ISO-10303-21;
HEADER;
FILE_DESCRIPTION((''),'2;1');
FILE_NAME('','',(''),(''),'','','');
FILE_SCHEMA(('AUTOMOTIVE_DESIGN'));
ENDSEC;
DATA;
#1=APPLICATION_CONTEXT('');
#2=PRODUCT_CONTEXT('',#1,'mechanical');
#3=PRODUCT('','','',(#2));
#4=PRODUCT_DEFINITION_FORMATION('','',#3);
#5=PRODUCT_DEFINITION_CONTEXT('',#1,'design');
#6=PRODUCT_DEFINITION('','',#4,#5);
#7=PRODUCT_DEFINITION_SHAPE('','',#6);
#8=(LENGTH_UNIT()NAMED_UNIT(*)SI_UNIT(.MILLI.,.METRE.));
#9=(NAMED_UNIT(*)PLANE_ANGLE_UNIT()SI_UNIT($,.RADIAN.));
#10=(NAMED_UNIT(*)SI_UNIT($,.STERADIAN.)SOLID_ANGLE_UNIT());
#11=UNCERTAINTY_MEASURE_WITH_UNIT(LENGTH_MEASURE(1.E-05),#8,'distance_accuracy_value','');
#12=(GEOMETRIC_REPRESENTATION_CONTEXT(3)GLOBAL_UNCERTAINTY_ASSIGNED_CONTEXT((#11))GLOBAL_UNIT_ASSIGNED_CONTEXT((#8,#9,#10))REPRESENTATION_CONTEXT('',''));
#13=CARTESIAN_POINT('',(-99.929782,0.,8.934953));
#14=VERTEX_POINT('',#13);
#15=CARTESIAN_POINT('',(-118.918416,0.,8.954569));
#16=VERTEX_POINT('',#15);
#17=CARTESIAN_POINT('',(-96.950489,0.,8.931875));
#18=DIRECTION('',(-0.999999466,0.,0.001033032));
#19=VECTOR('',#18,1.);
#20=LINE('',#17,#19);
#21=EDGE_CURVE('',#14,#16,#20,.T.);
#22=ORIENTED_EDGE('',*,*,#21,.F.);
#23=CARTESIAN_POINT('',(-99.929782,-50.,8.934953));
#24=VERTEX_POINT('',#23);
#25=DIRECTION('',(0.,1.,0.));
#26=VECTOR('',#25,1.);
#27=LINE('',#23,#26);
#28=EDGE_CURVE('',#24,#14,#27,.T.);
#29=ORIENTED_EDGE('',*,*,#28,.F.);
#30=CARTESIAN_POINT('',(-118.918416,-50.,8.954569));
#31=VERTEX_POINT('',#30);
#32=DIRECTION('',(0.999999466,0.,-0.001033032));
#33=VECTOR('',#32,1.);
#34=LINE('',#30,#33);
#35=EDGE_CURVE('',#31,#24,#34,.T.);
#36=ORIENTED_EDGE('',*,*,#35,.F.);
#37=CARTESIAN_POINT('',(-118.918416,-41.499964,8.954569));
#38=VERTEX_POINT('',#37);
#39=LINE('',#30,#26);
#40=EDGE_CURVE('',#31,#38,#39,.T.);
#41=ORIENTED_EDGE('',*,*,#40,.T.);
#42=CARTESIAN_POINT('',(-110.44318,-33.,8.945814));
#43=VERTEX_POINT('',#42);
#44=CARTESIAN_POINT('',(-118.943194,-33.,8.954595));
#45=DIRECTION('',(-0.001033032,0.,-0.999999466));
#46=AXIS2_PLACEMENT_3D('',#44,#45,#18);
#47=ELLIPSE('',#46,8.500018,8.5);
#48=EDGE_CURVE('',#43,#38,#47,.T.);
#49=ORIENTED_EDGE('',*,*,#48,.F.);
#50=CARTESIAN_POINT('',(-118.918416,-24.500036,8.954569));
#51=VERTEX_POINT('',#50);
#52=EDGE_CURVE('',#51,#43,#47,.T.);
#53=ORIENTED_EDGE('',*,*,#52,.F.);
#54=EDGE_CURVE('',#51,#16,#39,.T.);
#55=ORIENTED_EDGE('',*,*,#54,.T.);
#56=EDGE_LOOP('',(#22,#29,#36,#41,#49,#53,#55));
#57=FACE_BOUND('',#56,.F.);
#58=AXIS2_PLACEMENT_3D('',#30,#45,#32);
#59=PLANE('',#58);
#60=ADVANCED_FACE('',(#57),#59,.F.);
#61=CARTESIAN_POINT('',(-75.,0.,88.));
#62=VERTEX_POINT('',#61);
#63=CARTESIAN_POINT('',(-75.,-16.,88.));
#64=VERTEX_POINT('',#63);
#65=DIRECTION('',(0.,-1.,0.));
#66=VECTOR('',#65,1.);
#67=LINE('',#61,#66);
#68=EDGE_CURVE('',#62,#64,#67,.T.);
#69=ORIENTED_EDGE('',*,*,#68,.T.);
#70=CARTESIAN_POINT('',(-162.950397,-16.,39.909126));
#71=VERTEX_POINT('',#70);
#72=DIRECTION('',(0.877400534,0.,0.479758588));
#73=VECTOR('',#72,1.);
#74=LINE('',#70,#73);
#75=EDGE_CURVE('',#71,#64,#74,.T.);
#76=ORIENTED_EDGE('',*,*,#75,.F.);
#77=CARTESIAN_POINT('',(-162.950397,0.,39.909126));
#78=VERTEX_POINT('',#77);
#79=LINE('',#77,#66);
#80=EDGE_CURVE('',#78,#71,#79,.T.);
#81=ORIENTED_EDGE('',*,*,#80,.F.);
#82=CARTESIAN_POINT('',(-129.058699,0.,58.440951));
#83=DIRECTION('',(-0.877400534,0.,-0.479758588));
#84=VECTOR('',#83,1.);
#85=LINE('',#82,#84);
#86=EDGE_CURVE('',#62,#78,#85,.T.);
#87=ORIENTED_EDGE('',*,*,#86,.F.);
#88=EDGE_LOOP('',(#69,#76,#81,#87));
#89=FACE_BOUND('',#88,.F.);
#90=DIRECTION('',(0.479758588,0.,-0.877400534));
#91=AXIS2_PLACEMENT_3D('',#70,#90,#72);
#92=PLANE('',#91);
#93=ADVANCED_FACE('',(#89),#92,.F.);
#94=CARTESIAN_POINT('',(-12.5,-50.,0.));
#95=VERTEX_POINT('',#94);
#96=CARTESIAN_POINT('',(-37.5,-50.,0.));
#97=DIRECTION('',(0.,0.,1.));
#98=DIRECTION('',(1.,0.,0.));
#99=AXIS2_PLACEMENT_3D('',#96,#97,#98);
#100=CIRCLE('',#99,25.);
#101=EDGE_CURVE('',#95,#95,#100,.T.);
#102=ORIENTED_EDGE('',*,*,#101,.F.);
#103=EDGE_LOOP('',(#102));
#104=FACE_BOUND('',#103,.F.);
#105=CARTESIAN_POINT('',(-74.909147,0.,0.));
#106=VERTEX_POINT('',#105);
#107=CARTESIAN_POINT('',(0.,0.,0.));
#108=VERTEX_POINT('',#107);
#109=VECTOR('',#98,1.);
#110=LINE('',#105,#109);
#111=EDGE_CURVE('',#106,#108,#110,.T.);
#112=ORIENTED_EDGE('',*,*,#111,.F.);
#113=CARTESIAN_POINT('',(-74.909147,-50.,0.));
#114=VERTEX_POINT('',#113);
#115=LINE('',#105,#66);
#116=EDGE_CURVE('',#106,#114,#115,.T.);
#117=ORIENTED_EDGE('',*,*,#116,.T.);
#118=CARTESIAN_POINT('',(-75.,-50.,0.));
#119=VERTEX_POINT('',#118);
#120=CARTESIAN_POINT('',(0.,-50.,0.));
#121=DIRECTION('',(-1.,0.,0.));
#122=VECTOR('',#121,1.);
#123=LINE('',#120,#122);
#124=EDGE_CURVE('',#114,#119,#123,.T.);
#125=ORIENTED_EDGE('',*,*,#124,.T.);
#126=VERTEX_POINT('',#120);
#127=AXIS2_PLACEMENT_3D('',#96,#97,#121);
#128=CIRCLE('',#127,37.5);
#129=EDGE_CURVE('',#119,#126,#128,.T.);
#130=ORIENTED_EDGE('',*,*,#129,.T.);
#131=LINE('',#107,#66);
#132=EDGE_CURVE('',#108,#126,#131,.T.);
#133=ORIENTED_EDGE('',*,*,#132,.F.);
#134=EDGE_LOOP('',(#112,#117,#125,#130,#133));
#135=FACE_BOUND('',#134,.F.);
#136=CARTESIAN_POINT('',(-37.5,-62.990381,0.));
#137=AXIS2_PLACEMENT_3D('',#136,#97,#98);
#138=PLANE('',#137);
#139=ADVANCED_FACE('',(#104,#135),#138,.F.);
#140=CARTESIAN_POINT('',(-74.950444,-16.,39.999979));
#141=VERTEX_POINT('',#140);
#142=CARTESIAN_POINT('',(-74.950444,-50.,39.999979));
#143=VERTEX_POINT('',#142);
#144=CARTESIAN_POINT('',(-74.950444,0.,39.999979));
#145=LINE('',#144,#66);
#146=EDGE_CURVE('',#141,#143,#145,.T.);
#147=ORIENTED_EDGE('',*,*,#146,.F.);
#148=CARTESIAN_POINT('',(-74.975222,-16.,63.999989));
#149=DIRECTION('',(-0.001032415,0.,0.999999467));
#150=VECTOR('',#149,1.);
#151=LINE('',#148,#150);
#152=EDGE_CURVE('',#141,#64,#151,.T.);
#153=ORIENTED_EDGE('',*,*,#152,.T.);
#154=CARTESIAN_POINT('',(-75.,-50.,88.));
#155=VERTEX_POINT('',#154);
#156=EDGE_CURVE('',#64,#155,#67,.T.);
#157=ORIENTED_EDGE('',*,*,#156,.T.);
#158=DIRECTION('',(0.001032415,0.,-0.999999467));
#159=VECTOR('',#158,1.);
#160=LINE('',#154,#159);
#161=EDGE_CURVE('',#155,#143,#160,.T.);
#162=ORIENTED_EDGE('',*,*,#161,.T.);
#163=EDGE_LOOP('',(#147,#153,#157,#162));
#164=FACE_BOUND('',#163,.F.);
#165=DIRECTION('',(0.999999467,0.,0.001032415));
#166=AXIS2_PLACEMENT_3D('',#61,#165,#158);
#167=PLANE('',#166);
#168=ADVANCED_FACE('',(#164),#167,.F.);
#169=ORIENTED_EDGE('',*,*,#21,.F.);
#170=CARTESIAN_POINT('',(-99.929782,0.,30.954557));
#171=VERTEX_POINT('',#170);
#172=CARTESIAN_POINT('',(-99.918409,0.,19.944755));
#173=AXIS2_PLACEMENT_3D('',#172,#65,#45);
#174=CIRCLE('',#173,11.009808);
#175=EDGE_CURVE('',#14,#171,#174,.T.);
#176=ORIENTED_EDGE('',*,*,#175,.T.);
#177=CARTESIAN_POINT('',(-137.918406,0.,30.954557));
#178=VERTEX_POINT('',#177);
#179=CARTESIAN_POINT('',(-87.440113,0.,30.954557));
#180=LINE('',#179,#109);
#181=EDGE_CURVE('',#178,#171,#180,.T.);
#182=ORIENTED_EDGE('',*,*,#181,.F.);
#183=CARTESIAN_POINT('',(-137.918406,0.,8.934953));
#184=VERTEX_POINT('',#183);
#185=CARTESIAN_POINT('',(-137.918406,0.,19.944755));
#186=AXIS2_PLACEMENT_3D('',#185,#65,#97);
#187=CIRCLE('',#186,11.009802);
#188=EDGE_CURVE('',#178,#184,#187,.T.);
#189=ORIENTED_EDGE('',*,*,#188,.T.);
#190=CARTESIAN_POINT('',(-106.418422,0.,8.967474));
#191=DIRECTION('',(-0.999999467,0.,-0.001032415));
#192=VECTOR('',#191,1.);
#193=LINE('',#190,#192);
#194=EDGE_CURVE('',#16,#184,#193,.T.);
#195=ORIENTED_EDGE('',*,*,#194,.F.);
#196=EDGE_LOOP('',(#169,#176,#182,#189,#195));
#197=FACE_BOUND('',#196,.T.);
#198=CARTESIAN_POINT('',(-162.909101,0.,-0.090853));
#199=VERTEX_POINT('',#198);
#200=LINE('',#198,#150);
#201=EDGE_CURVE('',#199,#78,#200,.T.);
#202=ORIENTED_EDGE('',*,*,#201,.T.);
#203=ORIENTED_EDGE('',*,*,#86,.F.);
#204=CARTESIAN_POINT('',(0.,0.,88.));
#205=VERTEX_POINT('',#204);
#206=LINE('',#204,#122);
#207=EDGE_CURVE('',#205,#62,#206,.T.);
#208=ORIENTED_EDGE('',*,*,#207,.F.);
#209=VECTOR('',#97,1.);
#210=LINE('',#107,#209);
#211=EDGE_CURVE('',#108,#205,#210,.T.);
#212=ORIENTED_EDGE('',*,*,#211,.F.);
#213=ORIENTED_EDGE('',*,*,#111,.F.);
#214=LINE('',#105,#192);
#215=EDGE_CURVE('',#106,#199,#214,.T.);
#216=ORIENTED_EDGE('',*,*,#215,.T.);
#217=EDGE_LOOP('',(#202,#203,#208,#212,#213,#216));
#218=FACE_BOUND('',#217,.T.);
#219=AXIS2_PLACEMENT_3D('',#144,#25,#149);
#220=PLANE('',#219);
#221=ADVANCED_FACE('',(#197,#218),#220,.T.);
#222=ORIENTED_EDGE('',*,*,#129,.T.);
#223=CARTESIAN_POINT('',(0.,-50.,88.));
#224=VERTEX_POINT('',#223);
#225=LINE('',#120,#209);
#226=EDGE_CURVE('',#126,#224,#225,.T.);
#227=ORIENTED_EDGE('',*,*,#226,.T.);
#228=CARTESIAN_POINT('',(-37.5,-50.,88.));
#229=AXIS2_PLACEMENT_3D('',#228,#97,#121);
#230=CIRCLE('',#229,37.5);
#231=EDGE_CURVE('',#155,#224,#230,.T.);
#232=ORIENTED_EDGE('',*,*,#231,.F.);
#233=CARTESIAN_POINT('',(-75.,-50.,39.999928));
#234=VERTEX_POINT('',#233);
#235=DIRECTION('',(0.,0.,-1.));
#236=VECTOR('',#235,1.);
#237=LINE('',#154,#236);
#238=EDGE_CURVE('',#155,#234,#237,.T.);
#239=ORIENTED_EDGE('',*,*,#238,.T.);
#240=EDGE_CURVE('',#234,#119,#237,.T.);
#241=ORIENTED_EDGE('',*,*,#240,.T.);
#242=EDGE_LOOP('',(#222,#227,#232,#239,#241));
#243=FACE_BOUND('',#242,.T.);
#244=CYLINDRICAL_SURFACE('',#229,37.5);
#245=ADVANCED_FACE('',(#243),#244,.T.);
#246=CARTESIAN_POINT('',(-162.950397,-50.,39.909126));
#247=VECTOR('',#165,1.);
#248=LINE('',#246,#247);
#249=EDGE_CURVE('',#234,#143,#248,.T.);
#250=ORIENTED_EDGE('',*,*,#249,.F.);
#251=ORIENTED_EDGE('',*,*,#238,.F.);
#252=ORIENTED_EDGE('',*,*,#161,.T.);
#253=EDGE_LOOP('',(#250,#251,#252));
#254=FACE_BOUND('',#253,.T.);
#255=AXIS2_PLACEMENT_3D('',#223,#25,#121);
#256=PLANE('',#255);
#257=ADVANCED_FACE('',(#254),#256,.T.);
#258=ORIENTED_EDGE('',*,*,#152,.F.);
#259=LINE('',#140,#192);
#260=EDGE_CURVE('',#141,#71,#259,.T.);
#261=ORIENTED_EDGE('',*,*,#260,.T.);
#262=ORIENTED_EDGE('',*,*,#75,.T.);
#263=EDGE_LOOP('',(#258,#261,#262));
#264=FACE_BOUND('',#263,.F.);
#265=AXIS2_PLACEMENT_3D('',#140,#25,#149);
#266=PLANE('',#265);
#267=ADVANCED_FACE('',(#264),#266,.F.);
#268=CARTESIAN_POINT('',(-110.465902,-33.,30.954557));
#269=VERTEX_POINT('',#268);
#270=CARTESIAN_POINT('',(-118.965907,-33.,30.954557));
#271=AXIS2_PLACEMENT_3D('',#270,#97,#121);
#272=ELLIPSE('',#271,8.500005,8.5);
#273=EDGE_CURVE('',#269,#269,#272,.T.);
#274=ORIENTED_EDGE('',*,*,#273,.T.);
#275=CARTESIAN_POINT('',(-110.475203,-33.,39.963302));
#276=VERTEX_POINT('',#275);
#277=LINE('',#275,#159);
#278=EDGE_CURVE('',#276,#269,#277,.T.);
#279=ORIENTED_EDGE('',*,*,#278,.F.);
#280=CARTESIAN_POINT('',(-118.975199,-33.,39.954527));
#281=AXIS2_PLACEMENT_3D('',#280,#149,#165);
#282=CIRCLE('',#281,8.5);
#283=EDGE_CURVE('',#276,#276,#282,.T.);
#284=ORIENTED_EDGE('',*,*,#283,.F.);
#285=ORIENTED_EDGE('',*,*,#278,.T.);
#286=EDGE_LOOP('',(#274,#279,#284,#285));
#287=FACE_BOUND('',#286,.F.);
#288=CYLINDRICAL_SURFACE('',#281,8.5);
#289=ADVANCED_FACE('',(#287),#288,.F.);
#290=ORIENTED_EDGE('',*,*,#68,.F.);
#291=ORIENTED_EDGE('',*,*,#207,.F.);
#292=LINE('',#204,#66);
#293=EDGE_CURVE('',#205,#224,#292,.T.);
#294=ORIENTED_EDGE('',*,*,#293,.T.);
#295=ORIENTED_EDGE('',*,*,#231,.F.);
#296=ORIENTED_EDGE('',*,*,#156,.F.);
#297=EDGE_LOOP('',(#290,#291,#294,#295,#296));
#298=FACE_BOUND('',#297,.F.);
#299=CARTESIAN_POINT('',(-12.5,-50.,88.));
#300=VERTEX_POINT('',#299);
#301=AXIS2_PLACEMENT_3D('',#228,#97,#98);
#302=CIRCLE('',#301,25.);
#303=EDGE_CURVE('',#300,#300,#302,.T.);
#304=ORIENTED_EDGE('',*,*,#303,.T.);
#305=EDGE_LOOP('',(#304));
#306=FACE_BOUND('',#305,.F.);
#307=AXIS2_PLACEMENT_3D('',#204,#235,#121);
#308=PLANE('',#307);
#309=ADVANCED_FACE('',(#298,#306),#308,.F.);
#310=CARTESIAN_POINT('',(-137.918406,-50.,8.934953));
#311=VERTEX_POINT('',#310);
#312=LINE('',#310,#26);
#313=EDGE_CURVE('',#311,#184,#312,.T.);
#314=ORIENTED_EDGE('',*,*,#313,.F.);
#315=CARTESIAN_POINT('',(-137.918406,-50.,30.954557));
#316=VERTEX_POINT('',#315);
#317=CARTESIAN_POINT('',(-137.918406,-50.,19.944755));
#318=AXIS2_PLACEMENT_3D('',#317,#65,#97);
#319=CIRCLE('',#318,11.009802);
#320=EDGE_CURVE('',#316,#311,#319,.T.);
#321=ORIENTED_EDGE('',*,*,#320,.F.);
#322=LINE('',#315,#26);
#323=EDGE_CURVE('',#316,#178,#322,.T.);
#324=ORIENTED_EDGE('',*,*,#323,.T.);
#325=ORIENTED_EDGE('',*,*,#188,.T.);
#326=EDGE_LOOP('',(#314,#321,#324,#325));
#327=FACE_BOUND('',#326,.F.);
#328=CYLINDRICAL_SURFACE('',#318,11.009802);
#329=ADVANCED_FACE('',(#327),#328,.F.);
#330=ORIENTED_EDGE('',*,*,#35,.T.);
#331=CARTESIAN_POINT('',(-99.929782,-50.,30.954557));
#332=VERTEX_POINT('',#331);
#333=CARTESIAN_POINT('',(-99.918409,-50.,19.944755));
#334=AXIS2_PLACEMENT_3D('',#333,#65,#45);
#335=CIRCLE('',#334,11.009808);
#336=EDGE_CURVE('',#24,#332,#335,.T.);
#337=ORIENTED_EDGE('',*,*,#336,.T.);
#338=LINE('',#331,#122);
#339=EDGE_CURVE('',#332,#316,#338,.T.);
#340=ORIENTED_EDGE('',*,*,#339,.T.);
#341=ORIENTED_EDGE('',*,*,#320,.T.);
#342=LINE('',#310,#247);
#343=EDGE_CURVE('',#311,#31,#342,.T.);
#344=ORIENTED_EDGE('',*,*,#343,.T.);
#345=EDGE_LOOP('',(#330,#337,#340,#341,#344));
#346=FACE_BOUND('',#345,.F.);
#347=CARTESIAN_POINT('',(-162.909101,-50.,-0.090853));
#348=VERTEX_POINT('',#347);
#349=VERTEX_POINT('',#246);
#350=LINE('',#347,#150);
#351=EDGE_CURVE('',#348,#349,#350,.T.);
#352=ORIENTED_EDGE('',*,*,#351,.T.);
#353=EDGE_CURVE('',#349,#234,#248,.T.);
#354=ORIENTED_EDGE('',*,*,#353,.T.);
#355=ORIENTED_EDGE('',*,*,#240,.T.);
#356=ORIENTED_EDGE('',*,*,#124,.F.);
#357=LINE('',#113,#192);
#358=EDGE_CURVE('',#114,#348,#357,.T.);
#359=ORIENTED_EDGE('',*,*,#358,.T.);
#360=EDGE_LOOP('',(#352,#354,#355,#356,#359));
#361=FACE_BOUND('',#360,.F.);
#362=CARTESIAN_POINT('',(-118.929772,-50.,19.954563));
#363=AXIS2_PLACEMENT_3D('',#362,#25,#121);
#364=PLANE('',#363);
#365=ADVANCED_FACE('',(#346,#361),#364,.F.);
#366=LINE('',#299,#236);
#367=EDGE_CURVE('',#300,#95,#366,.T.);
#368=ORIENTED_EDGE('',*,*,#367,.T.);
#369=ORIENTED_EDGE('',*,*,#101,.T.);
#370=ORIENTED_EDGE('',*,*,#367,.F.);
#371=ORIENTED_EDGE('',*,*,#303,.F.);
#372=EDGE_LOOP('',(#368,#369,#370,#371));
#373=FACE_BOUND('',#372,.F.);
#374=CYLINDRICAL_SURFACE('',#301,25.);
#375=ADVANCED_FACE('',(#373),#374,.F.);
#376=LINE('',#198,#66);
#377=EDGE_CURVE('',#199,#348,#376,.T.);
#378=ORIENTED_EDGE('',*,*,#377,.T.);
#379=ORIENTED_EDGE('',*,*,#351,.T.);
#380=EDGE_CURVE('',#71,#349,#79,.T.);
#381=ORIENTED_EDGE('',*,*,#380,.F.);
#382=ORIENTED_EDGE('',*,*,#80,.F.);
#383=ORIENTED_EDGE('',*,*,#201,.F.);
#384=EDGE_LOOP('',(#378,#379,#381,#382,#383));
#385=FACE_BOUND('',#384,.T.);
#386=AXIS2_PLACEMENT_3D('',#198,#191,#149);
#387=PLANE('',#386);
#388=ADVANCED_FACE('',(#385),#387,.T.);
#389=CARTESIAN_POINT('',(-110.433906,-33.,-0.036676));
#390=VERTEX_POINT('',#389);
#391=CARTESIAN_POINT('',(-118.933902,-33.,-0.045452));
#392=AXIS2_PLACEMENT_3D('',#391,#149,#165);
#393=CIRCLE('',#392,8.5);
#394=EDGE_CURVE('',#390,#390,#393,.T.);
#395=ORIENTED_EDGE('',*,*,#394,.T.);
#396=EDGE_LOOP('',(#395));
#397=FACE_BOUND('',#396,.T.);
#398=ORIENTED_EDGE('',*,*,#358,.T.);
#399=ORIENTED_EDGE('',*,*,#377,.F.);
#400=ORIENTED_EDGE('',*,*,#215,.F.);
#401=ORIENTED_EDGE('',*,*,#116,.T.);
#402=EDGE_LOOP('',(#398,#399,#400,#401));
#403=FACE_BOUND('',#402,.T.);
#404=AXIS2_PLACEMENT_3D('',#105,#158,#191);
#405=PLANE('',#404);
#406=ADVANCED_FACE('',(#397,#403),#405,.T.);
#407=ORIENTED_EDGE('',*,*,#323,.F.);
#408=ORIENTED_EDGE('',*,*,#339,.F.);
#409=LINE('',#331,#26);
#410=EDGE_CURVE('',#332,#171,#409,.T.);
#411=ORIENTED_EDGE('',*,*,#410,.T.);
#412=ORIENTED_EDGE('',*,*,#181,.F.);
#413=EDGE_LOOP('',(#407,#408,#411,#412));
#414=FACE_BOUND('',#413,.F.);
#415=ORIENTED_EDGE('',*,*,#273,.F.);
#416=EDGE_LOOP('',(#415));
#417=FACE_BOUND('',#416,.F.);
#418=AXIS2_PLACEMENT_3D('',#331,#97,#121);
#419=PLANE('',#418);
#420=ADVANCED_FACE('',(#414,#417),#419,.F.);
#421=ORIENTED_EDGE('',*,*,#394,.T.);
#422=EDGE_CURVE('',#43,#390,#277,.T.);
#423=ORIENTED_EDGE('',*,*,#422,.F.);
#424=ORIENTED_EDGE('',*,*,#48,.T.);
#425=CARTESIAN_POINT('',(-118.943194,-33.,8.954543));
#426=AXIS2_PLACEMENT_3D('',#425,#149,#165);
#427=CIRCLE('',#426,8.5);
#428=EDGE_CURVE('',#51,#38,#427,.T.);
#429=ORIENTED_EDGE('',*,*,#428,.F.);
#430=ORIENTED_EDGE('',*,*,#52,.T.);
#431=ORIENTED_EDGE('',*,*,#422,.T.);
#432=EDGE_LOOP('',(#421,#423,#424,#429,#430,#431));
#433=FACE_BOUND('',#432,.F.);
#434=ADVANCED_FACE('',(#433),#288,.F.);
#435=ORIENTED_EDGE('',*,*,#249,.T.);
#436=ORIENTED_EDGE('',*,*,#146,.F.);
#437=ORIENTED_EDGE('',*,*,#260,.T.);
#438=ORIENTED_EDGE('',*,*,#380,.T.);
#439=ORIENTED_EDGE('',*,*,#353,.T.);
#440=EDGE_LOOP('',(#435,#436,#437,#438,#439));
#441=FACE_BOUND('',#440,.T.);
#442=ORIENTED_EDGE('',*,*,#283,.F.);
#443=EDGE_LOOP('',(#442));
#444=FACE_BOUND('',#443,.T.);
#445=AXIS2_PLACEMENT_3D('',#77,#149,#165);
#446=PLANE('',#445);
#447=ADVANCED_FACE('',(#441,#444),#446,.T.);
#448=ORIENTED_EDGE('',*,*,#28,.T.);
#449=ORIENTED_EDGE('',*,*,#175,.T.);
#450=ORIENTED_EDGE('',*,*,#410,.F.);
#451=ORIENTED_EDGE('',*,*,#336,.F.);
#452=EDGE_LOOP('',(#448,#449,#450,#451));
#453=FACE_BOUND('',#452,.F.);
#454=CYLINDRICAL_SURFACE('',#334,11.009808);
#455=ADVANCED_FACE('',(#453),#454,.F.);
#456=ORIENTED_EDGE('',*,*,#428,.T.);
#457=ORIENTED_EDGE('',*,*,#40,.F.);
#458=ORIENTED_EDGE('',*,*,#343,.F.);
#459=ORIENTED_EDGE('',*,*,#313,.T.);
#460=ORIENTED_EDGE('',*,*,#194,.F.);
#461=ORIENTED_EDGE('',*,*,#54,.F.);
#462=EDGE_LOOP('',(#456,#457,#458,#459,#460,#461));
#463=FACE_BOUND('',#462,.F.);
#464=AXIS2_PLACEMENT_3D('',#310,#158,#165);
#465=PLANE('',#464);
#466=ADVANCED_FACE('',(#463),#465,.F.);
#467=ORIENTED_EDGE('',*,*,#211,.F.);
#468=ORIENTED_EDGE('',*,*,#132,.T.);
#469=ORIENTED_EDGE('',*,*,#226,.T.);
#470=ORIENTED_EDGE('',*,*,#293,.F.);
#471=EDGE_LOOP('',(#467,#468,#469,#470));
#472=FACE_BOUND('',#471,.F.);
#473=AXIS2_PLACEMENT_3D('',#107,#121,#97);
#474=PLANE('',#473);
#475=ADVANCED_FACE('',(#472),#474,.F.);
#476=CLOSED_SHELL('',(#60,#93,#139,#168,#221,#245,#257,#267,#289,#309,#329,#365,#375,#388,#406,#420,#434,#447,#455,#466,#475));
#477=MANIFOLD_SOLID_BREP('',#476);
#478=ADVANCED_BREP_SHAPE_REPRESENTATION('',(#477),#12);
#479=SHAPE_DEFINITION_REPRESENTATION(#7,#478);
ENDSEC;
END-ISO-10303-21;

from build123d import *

# Parameters (mm, degrees)
F1_DEPTH  = 50
F3_DEPTH  = 88
F4_R      = 25
F5_DEPTH  = 115
F7_DEPTH  = 50
F8_W      = 16
F8_H      = 48.0000468988
F9_DEPTH  = 88
F11_DEPTH = 27.7
F12_R     = 8.5
F13_DEPTH = 57.3
F15_DEPTH = 109.8


with BuildPart() as f1:
    # F0 (on Front) → F1 (new body)
    with BuildSketch(Plane.XZ):
        Polygon((-74.9091474319, 0), (0, 0), (0, 88), (-75, 88), align=None)
    extrude(amount=F1_DEPTH)

    # F2 (on face) → F3 (join)
    with BuildSketch(Plane.XY.offset(88)):
        with BuildLine():
            Line((0, -50), (-75, -50))
            ThreePointArc((-75, -50), (-37.5, -87.5), (0, -50))
        make_face()
    extrude(amount=-F3_DEPTH)

    # F4 (on face) → F5 (cut)
    with BuildSketch(Plane.XY.offset(88)):
        with Locations((-37.5, -50)):
            Circle(F4_R)
    extrude(amount=-F5_DEPTH, mode=Mode.SUBTRACT)

    # F6 (on face) → F7 (join)
    with BuildSketch(Plane(origin=(0, 0, 0), x_dir=(-1, 0, 0), z_dir=(0, 1, 0))):
        Polygon((74.9504440318, 39.9999786824), (74.9091474319, 0), (162.9091005331, -0.0908525197), (162.950397133, 39.9091261627), align=None)
    extrude(amount=-F7_DEPTH)

    # F8 (on face) → F9 (join)
    with BuildSketch(Plane(origin=(-74.9090675877, 0, -0.077337286), x_dir=(0, -1, 0), z_dir=(-0.9999994671, 0, -0.001032415))):
        with Locations((8, 64.0773607766)):
            Rectangle(F8_W, F8_H)
    extrude(amount=F9_DEPTH)

    # F10 (on face) → F11 (cut)
    with BuildSketch(Plane.XZ.offset(16)):
        Polygon((-162.9999531012, 87.9091474803), (-162.950397133, 39.9091261627), (-75, 88), align=None)
    extrude(amount=-F11_DEPTH, mode=Mode.SUBTRACT)

    # F12 (on face) → F13 (cut)
    with BuildSketch(Plane(origin=(-0.0413764441, 0, 40.0773159683), x_dir=(0.9999994671, 0, 0.001032415), z_dir=(-0.001032415, 0, 0.9999994671))):
        with Locations((-118.9338855071, -33)):
            Circle(F12_R)
    extrude(amount=-F13_DEPTH, mode=Mode.SUBTRACT)

    # F14 (on face) → F15 (cut)
    with BuildSketch(Plane.XZ.offset(50)):
        with BuildLine():
            Line((-137.9184055916, 8.9349530588), (-118.9184157175, 8.9545689437))
            Line((-118.9184157175, 8.9545689437), (-99.9297824083, 8.9349530588))
            ThreePointArc((-99.9297824083, 8.9349530588), (-88.9086009647, 19.9447551389), (-99.9297824083, 30.954557219))
            Line((-99.9297824083, 30.954557219), (-118.9411288474, 30.954557219))
            Line((-118.9411288474, 30.954557219), (-137.9184055916, 30.954557219))
            ThreePointArc((-137.9184055916, 30.954557219), (-148.9282076717, 19.9447551389), (-137.9184055916, 8.9349530588))
        make_face()
    extrude(amount=-F15_DEPTH, mode=Mode.SUBTRACT)


solid = f1.part
